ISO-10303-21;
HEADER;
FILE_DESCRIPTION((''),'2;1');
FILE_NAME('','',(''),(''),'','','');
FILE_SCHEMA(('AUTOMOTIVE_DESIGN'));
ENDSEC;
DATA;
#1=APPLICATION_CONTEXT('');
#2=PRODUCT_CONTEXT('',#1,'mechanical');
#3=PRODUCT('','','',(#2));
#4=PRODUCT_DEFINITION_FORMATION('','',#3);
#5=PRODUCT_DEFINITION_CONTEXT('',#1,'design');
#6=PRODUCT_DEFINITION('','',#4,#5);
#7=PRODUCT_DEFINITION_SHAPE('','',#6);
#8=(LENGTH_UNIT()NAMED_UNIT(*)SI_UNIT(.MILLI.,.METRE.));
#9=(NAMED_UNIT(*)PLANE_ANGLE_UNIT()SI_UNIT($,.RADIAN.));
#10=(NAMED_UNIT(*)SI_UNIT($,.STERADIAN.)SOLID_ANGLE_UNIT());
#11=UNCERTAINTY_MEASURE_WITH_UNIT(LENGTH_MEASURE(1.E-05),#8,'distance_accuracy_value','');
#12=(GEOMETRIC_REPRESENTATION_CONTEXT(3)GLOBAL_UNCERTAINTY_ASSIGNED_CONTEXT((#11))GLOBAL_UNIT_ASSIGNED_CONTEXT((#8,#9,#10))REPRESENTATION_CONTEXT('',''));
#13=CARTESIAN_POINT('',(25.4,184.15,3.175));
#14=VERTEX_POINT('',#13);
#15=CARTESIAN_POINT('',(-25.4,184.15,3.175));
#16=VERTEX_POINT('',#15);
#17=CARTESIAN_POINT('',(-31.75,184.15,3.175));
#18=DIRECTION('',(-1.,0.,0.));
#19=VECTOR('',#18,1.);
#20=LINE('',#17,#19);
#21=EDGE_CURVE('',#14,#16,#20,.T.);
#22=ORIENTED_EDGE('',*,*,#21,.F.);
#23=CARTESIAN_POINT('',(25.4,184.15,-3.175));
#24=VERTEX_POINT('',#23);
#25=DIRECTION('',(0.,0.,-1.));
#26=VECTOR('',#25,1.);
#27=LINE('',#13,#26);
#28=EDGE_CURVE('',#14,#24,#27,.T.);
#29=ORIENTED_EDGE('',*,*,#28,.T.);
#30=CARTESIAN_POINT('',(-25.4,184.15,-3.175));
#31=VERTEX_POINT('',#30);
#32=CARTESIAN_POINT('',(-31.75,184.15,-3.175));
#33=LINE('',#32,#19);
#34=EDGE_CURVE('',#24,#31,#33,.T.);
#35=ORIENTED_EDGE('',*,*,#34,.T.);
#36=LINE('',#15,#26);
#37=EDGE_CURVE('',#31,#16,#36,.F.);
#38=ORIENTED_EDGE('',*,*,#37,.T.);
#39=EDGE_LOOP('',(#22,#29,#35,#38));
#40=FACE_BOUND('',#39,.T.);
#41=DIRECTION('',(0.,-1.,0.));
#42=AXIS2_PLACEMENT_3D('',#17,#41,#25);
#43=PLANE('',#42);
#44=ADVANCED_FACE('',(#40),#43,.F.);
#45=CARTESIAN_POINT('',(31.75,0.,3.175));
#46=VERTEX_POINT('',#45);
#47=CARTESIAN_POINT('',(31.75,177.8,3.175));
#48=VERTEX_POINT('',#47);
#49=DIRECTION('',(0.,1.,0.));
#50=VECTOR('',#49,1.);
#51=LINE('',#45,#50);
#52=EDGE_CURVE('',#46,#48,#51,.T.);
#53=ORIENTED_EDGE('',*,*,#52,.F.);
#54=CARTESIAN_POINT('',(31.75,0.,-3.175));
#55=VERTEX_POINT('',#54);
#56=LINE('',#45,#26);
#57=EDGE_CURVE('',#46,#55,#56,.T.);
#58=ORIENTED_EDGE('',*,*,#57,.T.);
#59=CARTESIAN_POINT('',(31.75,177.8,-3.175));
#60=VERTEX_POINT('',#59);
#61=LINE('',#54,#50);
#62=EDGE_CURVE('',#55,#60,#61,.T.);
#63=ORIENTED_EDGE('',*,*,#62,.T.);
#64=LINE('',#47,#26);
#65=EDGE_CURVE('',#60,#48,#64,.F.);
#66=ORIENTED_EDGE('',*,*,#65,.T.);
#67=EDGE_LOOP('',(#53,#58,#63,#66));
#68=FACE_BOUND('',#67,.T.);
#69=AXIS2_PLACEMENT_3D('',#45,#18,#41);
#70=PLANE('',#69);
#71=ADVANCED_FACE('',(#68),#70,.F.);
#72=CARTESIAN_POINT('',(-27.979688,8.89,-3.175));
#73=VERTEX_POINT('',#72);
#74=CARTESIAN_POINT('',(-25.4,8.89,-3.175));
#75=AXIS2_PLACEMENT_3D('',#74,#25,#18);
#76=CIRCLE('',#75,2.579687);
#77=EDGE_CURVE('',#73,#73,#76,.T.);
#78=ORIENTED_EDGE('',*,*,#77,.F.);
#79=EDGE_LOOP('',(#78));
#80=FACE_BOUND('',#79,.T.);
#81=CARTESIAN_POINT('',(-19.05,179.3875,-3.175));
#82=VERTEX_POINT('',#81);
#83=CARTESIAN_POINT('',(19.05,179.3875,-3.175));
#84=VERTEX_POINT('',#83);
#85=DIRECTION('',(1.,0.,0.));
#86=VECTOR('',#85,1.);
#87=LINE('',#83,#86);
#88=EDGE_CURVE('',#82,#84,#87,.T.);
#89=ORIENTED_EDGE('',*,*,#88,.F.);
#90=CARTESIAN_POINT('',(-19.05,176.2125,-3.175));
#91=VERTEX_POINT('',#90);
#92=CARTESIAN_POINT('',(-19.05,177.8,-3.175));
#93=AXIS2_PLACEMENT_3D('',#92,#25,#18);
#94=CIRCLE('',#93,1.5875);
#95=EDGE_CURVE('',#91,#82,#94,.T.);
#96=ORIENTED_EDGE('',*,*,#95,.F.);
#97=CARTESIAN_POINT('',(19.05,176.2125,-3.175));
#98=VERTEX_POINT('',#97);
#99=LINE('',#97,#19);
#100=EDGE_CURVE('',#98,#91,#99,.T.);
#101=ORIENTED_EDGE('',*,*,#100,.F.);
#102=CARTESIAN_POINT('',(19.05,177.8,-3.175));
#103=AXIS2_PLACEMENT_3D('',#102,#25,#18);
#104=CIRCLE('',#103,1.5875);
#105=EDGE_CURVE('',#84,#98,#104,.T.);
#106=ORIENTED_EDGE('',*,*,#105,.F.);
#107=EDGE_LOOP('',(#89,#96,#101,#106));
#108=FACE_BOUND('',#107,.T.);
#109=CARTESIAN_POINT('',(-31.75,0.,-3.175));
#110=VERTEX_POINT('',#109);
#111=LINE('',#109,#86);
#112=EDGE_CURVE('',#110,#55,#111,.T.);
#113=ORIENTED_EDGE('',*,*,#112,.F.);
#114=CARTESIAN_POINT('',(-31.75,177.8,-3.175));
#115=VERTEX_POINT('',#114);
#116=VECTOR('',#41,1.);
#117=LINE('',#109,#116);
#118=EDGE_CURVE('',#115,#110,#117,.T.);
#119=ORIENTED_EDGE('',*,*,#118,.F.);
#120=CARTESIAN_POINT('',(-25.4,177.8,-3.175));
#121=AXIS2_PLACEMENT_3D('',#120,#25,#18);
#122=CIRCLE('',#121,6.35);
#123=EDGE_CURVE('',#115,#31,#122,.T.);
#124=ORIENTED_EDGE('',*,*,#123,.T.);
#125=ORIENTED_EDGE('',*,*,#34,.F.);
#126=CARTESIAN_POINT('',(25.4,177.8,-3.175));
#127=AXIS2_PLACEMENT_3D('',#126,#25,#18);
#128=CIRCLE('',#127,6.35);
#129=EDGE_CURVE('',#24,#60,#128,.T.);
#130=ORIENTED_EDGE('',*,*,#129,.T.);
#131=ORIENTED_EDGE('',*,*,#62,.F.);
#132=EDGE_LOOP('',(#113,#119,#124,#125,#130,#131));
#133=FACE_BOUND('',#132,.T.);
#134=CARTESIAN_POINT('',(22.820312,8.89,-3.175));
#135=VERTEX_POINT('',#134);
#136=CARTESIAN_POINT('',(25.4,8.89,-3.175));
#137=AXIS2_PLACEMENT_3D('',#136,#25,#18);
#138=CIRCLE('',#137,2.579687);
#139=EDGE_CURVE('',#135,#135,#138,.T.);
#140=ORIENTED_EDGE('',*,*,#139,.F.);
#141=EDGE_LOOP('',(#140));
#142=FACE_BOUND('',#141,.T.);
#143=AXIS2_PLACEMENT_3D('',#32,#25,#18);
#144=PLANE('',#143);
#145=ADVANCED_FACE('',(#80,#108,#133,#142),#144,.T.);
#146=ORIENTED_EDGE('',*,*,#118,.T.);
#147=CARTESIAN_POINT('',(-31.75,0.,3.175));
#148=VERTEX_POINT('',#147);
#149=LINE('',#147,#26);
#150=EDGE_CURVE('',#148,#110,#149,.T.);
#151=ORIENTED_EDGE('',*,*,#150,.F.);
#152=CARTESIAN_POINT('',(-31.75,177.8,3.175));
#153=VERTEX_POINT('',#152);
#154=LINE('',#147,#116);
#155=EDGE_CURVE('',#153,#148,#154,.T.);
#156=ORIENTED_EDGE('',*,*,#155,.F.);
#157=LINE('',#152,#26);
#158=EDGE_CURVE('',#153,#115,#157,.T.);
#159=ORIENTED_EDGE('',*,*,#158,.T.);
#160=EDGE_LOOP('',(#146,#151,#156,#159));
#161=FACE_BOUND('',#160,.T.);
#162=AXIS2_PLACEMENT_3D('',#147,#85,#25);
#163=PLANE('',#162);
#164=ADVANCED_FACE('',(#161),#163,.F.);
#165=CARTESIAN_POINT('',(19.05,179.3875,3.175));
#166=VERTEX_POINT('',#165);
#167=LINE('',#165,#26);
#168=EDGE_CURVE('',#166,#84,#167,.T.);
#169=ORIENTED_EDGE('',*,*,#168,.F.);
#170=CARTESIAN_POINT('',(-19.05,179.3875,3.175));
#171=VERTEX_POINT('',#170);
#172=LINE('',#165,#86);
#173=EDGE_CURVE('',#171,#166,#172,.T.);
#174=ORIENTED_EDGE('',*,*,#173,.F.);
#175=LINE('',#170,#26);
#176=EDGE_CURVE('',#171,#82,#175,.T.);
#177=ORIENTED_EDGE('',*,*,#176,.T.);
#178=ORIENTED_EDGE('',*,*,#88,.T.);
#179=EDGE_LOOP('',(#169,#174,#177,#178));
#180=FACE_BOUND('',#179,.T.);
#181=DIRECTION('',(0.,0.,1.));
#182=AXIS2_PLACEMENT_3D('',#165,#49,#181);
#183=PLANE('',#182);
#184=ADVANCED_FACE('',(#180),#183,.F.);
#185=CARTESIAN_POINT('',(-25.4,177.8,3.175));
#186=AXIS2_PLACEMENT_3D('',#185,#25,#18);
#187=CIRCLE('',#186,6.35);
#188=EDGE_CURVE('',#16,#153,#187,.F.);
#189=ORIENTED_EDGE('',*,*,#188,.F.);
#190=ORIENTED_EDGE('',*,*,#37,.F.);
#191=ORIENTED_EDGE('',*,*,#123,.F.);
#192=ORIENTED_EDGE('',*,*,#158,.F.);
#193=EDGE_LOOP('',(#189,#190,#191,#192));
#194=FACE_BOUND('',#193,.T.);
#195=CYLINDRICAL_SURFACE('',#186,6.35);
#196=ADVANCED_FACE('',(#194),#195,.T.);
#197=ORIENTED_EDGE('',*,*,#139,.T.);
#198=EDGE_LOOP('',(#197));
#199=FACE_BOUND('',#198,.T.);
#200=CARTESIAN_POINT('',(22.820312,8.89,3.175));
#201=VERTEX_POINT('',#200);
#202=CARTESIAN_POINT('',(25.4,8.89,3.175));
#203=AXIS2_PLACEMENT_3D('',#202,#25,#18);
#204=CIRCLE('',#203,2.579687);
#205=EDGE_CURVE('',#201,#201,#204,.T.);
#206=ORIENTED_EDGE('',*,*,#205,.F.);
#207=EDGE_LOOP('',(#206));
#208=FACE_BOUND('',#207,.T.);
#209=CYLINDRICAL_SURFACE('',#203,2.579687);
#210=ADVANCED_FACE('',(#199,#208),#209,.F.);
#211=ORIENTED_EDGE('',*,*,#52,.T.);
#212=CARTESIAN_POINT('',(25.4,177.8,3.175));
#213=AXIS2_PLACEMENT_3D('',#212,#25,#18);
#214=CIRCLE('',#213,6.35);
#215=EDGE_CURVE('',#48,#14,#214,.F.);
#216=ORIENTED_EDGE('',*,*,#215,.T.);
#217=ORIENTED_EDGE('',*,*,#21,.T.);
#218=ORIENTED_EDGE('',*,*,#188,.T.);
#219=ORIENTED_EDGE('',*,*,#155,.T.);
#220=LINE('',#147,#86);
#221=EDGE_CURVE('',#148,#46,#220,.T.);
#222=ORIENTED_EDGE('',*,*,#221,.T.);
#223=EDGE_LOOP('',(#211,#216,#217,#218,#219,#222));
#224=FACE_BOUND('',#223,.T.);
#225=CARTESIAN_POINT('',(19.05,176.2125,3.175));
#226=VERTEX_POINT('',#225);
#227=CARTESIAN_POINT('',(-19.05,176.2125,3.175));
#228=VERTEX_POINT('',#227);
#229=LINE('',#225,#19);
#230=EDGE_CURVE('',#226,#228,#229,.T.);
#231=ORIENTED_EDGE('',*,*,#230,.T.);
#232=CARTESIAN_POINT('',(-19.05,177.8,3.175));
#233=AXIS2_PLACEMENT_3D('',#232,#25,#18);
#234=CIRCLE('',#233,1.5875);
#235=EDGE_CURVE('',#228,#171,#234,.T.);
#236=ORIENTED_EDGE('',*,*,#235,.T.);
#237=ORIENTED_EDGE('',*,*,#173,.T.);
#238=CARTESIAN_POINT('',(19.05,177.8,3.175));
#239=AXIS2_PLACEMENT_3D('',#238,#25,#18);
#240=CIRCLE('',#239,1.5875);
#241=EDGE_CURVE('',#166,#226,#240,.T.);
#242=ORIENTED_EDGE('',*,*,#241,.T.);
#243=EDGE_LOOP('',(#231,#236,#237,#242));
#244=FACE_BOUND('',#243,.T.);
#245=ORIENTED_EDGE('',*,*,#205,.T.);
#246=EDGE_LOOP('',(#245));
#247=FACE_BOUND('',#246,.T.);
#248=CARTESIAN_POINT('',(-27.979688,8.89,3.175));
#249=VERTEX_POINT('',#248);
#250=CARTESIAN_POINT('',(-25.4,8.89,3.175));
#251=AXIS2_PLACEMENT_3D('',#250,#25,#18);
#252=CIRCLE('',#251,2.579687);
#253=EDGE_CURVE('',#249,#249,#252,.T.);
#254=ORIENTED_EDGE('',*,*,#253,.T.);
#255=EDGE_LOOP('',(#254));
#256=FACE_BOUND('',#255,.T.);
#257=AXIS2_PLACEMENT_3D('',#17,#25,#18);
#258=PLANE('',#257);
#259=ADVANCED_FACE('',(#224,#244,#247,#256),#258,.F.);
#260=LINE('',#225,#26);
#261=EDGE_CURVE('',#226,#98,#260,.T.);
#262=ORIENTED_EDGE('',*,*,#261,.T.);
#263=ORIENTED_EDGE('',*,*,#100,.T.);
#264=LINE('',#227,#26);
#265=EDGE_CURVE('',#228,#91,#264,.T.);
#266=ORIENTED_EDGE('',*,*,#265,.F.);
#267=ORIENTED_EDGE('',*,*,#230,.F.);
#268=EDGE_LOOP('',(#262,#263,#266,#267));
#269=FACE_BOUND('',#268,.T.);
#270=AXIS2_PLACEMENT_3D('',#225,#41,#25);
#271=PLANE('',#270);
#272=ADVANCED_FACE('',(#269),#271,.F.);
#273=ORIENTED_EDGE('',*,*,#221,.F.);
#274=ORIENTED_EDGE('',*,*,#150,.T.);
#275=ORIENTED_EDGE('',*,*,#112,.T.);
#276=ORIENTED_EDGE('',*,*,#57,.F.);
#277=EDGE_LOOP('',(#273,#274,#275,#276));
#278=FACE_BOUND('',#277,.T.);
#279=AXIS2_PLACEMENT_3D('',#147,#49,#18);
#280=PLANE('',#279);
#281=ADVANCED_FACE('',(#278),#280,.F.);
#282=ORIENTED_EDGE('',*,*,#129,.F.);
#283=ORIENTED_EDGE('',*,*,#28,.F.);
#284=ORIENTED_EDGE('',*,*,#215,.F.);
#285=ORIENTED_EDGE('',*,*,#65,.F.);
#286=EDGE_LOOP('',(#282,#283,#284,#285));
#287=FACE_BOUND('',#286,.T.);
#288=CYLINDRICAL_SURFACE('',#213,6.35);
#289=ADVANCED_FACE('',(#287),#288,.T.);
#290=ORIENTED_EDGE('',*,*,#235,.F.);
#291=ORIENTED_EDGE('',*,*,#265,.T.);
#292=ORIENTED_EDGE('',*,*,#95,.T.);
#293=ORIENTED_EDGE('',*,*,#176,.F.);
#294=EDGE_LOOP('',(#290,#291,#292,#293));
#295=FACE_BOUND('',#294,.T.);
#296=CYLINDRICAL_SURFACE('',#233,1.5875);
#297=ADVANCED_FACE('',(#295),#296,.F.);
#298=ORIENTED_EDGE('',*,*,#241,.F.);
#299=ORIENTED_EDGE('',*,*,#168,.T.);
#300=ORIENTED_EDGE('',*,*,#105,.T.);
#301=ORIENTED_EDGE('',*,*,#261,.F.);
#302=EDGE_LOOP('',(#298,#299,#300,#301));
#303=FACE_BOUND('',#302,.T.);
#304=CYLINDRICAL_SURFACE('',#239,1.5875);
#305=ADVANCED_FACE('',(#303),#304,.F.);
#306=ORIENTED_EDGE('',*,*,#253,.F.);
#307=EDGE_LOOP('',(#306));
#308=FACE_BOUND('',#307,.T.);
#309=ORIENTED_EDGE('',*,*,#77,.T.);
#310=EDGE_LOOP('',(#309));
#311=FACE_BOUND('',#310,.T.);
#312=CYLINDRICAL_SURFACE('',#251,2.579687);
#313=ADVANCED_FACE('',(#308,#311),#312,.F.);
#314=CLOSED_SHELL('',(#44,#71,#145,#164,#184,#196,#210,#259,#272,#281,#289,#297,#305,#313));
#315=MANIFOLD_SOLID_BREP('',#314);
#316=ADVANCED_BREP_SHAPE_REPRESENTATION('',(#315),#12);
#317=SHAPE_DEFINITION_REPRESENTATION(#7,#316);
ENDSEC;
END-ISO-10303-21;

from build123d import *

# Parameters (mm, degrees)
SKETCH1_W           = 63.5
SKETCH1_H           = 184.15
BOSS_EXTRUDE1_DEPTH = 3.175
SKETCH3_R           = 2.5796875
CUT_EXTRUDE2_DEPTH  = 187.974884677
CUT_EXTRUDE3_DEPTH  = 187.974884677
FILLET1_R           = 6.35


with BuildPart() as part:
    # Sketch1 → Boss-Extrude1 (new, symmetric)
    with BuildSketch(Plane.XY):
        with Locations((0, 92.075)):
            Rectangle(SKETCH1_W, SKETCH1_H)
    extrude(amount=BOSS_EXTRUDE1_DEPTH, both=True)

    # Sketch3 → Cut-Extrude2 (cut, through all)
    with BuildSketch(Plane(origin=(0, 0, -3.175), x_dir=(-1, 0, 0), z_dir=(0, 0, -1))):
        with Locations((-25.4, 8.89)):
            Circle(SKETCH3_R)
        with Locations((25.4, 8.89)):
            Circle(SKETCH3_R)
    extrude(amount=-CUT_EXTRUDE2_DEPTH, mode=Mode.SUBTRACT)

    # Sketch4 → Cut-Extrude3 (cut, through all)
    with BuildSketch(Plane(origin=(0, 0, -3.175), x_dir=(-1, 0, 0), z_dir=(0, 0, -1))):
        with BuildLine():
            Line((-19.05, 179.3875), (19.05, 179.3875))
            ThreePointArc((19.05, 179.3875), (20.6375, 177.8), (19.05, 176.2125))
            Line((19.05, 176.2125), (-19.05, 176.2125))
            ThreePointArc((-19.05, 176.2125), (-20.6375, 177.8), (-19.05, 179.3875))
        make_face()
    extrude(amount=-CUT_EXTRUDE3_DEPTH, mode=Mode.SUBTRACT)

    # Fillet1
    fillet1_edges = [part.edges().sort_by_distance(p)[0] for p in [
        (-31.75, 184.15, 0),
        (31.75, 184.15, 0),
    ]]
    fillet(fillet1_edges, radius=FILLET1_R)


solid = part.part
